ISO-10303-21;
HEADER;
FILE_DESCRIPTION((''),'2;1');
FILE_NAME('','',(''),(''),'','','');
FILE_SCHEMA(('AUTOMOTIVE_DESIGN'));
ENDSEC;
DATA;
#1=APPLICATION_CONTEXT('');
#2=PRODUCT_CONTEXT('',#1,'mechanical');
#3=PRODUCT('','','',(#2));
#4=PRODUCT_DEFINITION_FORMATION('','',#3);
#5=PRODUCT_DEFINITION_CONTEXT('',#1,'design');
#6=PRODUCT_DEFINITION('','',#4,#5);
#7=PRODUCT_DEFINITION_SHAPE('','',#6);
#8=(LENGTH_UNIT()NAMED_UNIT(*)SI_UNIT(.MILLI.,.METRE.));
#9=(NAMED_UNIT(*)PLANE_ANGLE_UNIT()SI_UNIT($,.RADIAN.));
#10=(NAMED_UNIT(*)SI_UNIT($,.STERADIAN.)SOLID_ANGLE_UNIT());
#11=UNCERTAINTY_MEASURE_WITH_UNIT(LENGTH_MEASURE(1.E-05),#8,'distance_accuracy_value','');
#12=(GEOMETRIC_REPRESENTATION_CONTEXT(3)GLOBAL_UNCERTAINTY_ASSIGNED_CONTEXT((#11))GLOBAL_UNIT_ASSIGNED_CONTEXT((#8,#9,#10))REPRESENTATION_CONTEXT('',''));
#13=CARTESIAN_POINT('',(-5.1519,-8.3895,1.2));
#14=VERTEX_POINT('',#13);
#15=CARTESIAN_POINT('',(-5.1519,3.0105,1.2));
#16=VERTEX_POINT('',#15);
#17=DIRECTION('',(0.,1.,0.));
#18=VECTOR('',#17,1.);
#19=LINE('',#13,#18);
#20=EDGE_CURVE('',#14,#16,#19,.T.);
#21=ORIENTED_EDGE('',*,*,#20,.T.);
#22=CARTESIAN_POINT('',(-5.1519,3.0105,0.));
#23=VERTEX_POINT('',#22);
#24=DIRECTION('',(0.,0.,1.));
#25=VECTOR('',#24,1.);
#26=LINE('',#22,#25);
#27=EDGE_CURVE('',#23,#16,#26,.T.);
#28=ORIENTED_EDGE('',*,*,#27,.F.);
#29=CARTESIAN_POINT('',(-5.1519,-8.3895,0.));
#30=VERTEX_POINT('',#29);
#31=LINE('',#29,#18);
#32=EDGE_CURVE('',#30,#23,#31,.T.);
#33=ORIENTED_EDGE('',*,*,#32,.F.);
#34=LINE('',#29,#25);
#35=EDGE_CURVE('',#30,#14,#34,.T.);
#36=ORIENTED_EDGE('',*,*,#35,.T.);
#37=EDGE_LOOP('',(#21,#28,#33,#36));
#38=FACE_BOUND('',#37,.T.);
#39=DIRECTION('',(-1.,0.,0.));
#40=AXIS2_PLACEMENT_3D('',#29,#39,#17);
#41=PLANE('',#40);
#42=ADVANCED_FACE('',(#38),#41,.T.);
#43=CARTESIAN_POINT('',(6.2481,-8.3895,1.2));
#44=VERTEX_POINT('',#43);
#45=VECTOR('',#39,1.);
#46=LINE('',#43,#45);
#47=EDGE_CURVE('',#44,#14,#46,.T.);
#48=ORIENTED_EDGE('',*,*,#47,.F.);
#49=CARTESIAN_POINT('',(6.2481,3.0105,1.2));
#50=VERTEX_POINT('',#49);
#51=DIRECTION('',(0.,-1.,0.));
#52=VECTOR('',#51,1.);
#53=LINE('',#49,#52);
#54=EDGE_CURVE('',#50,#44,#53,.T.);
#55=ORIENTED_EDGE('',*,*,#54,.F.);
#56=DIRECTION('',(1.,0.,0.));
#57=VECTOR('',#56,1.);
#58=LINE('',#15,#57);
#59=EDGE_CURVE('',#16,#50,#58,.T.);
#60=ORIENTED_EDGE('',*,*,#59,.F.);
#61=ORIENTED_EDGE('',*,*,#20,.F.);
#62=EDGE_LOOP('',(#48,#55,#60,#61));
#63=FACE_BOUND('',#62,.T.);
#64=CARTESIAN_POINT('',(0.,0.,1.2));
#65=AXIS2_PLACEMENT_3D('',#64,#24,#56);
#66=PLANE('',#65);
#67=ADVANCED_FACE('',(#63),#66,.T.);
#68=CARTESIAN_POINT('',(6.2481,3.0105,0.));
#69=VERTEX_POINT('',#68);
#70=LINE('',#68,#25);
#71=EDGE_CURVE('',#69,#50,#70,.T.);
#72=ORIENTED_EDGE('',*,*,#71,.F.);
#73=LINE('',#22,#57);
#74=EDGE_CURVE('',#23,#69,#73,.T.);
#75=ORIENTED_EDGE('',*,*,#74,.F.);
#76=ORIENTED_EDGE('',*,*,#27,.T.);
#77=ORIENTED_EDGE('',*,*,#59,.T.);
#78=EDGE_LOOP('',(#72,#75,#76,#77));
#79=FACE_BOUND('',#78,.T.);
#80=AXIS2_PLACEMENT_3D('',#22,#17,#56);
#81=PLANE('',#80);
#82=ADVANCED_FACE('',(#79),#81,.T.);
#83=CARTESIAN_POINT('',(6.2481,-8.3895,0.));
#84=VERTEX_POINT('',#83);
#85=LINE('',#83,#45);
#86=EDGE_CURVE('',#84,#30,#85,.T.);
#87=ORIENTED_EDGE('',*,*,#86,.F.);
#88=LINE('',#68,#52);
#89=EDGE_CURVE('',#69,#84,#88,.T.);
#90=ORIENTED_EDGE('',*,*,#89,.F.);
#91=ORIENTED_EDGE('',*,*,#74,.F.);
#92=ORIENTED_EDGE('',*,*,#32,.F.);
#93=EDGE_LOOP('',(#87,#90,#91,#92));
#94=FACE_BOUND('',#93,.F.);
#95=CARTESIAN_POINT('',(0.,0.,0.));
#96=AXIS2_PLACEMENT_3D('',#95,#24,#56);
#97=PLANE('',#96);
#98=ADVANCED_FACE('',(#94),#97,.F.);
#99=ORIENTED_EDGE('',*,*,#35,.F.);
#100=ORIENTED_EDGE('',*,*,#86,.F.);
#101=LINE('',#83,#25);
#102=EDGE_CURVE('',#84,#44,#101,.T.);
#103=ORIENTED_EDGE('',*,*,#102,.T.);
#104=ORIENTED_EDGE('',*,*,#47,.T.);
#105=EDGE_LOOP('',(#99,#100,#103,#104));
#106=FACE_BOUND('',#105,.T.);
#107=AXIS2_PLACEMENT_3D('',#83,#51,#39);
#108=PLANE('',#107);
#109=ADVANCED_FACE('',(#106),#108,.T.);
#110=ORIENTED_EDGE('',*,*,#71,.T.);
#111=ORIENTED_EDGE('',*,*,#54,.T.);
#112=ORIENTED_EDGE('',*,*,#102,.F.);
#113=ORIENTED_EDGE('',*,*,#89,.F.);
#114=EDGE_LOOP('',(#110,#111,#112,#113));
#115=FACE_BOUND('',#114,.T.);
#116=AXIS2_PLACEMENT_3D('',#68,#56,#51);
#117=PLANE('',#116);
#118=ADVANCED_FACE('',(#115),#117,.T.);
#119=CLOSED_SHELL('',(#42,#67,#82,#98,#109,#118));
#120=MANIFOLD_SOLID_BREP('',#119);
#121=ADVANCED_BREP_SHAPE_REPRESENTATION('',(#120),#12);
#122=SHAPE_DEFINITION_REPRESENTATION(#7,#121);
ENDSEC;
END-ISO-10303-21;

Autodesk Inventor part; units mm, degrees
ref_plane "YZ Plane" through (0, 0, 0) normal (1, 0, 0) x (0, 1, 0)
ref_plane "XZ Plane" through (0, 0, 0) normal (0, 1, 0) x (-1, 0, 0)
ref_plane "XY Plane" through (0, 0, 0) normal (0, 0, 1) x (1, 0, 0)
sketch "Sketch1" plane through (0, 0, 0) normal (0, 0, 1) x (1, 0, 0)
  line L0 (-5.1519, 3.0105) -> (6.2481, 3.0105)
  line L1 (6.2481, 3.0105) -> (6.2481, -8.3895)
  line L2 (6.2481, -8.3895) -> (-5.1519, -8.3895)
  line L3 (-5.1519, -8.3895) -> (-5.1519, 3.0105)
  point P0 (0, 0)
  dimension "d0" = 11.4
  dimension "d1" = 11.4
extrude "Extrusion1" add sketch "Sketch1" along normal blind 1.2
properties part number "PIC16Chip"
